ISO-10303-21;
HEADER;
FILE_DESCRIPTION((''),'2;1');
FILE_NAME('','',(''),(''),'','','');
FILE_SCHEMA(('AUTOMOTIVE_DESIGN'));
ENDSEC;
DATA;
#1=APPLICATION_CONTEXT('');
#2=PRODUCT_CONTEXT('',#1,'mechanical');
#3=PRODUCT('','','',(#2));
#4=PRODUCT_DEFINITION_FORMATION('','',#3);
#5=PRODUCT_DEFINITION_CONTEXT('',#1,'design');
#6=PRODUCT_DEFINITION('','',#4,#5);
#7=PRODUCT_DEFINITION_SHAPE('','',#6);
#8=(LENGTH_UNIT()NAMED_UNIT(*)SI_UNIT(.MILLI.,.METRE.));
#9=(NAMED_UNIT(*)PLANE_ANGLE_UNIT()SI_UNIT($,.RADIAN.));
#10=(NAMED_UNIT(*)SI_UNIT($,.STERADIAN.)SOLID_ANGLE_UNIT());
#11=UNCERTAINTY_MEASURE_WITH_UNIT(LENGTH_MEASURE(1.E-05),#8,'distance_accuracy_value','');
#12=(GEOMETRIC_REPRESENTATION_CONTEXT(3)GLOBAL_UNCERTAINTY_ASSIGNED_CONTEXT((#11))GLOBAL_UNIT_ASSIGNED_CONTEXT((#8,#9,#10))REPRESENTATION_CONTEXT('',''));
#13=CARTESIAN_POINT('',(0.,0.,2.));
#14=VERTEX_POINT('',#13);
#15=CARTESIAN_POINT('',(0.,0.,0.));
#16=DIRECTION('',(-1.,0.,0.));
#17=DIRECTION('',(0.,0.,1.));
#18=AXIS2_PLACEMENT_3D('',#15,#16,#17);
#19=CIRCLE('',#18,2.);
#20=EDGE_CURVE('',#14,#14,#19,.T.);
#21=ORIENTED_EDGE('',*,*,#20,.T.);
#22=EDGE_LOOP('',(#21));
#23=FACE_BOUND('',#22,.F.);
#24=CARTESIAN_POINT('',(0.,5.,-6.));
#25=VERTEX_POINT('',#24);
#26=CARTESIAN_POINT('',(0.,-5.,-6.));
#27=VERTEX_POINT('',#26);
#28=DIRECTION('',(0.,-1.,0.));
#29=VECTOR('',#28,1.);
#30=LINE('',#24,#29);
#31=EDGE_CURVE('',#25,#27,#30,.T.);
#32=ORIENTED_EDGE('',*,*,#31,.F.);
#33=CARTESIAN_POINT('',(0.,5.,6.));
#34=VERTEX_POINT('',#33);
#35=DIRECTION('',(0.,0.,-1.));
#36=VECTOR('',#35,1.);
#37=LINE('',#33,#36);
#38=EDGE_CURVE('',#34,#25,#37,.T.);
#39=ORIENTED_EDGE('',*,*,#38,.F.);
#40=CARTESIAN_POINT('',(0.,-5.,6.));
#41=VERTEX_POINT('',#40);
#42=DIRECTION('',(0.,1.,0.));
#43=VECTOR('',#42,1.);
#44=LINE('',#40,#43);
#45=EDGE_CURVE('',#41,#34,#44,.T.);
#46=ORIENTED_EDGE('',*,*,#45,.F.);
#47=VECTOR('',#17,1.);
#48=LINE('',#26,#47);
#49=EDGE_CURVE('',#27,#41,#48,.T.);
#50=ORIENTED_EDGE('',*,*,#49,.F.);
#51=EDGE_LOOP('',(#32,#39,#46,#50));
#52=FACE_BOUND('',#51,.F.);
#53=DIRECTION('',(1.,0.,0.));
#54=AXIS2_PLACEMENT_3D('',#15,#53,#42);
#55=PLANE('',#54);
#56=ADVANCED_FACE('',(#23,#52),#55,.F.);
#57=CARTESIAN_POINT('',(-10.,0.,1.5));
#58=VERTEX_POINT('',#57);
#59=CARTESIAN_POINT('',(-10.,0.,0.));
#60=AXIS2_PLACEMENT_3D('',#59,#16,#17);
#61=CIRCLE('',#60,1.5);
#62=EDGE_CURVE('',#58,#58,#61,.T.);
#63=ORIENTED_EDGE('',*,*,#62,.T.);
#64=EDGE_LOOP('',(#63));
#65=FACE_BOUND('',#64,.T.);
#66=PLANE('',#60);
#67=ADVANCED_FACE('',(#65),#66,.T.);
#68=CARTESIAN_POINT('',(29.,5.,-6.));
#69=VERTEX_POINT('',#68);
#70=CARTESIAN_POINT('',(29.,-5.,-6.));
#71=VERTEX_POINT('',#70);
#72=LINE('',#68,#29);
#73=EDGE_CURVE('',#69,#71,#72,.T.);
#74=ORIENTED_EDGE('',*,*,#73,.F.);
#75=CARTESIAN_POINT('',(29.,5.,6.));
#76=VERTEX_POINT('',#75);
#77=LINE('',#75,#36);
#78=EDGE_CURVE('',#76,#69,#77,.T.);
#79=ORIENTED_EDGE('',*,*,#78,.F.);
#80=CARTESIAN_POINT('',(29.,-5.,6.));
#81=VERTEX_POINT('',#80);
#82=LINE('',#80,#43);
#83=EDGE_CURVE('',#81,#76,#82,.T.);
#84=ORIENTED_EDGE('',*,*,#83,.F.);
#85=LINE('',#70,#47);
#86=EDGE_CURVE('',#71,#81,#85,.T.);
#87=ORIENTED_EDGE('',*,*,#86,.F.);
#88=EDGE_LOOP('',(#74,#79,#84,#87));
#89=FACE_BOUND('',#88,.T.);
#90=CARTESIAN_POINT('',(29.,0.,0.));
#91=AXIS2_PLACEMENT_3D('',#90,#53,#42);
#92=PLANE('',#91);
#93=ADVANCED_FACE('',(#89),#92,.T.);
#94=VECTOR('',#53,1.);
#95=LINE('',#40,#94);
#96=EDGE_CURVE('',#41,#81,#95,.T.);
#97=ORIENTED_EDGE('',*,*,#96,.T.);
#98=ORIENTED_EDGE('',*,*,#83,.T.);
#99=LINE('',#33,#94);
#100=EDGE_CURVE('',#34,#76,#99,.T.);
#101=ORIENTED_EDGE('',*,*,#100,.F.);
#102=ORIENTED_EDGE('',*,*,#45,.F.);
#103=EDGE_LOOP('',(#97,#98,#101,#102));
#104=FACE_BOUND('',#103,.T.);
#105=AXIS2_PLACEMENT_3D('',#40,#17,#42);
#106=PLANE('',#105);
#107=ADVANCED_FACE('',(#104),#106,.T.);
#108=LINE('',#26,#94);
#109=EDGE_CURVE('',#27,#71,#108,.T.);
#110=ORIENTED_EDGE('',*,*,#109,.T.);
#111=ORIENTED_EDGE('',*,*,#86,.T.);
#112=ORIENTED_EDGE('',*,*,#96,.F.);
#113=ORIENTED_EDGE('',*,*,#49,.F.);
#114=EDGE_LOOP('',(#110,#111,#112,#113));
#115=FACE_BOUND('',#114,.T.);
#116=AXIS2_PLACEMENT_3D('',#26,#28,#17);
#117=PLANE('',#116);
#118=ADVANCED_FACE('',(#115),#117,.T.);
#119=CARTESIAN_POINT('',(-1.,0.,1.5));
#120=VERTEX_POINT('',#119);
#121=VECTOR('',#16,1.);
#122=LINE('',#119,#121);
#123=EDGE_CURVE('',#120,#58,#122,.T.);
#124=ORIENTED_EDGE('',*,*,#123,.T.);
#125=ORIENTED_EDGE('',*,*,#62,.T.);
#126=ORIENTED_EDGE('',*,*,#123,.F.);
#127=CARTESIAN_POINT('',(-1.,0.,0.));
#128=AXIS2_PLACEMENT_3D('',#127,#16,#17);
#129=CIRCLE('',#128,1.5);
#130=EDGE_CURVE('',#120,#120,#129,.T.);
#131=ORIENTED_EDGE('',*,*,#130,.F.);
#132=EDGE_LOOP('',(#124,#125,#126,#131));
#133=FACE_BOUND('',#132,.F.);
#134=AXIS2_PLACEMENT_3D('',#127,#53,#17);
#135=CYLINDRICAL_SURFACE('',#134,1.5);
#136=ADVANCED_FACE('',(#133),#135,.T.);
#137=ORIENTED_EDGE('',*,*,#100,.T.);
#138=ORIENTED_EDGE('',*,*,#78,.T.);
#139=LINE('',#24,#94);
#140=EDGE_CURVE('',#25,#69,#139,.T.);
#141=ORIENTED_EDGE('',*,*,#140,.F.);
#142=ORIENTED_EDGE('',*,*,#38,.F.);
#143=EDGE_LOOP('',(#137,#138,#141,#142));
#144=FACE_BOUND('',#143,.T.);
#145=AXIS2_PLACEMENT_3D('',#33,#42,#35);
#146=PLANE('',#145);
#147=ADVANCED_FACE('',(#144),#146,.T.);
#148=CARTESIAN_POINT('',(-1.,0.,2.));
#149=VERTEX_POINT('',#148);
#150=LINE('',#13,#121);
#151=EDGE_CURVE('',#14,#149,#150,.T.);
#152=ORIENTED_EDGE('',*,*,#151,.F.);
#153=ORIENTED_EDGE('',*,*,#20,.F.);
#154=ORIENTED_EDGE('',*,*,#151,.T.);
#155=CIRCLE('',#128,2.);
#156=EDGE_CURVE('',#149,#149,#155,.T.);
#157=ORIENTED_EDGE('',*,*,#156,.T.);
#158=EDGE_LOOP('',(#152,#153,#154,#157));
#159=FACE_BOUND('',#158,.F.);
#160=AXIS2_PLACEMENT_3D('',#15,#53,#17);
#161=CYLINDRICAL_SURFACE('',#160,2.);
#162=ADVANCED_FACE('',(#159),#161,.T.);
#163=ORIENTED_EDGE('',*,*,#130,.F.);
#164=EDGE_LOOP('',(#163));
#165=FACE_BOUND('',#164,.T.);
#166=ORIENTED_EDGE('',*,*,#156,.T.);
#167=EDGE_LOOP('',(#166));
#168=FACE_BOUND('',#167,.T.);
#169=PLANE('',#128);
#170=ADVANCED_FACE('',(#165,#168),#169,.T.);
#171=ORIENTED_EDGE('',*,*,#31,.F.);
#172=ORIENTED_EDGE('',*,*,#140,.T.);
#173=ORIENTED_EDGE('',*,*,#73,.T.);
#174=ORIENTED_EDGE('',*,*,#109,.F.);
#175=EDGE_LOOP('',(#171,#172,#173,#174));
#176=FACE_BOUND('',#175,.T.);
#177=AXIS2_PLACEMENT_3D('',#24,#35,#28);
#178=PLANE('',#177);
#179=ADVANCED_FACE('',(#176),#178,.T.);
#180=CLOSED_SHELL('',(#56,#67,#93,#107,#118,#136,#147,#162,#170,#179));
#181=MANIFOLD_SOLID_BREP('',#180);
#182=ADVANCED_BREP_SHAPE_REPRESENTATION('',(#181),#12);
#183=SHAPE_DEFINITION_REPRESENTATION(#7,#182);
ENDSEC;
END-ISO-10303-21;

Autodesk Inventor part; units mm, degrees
ref_plane "YZ Plane" through (0, 0, 0) normal (1, 0, 0) x (0, 1, 0)
ref_plane "XZ Plane" through (0, 0, 0) normal (0, 1, 0) x (-1, 0, 0)
ref_plane "XY Plane" through (0, 0, 0) normal (0, 0, 1) x (1, 0, 0)
sketch "Sketch1" plane through (0, 0, 0) normal (1, 0, 0) x (0, 1, 0)
  line L0 (-5, 6) -> (5, 6)
  line L1 (5, 6) -> (5, -6)
  line L2 (5, -6) -> (-5, -6)
  line L3 (-5, -6) -> (-5, 6)
  line L4 (-5, 6) -> (5, -6) construction
  line L5 (5, 6) -> (-5, -6) construction
  point P0 (0, 0)
  dimension "d0" = 10
  dimension "d1" = 12
extrude "Extrusion1" add sketch "Sketch1" along normal blind 29
sketch "Sketch2" plane through (0, 0, 0) normal (-1, 0, 0) x (0, 0, 1)
  circle A0 centre (0, 0) radius 2
  dimension "d4" = 4
extrude "Extrusion2" add sketch "Sketch2" along normal blind 1
sketch "Sketch3" plane through (-1, 0, 0) normal (-1, 0, 0) x (0, 0, 1)
  circle A0 centre (0, 0) radius 1.5
  dimension "d7" = 3
extrude "Extrusion3" add sketch "Sketch3" along normal blind 9
properties part number "Micro Gear motor" material "Copper, Alloy"
